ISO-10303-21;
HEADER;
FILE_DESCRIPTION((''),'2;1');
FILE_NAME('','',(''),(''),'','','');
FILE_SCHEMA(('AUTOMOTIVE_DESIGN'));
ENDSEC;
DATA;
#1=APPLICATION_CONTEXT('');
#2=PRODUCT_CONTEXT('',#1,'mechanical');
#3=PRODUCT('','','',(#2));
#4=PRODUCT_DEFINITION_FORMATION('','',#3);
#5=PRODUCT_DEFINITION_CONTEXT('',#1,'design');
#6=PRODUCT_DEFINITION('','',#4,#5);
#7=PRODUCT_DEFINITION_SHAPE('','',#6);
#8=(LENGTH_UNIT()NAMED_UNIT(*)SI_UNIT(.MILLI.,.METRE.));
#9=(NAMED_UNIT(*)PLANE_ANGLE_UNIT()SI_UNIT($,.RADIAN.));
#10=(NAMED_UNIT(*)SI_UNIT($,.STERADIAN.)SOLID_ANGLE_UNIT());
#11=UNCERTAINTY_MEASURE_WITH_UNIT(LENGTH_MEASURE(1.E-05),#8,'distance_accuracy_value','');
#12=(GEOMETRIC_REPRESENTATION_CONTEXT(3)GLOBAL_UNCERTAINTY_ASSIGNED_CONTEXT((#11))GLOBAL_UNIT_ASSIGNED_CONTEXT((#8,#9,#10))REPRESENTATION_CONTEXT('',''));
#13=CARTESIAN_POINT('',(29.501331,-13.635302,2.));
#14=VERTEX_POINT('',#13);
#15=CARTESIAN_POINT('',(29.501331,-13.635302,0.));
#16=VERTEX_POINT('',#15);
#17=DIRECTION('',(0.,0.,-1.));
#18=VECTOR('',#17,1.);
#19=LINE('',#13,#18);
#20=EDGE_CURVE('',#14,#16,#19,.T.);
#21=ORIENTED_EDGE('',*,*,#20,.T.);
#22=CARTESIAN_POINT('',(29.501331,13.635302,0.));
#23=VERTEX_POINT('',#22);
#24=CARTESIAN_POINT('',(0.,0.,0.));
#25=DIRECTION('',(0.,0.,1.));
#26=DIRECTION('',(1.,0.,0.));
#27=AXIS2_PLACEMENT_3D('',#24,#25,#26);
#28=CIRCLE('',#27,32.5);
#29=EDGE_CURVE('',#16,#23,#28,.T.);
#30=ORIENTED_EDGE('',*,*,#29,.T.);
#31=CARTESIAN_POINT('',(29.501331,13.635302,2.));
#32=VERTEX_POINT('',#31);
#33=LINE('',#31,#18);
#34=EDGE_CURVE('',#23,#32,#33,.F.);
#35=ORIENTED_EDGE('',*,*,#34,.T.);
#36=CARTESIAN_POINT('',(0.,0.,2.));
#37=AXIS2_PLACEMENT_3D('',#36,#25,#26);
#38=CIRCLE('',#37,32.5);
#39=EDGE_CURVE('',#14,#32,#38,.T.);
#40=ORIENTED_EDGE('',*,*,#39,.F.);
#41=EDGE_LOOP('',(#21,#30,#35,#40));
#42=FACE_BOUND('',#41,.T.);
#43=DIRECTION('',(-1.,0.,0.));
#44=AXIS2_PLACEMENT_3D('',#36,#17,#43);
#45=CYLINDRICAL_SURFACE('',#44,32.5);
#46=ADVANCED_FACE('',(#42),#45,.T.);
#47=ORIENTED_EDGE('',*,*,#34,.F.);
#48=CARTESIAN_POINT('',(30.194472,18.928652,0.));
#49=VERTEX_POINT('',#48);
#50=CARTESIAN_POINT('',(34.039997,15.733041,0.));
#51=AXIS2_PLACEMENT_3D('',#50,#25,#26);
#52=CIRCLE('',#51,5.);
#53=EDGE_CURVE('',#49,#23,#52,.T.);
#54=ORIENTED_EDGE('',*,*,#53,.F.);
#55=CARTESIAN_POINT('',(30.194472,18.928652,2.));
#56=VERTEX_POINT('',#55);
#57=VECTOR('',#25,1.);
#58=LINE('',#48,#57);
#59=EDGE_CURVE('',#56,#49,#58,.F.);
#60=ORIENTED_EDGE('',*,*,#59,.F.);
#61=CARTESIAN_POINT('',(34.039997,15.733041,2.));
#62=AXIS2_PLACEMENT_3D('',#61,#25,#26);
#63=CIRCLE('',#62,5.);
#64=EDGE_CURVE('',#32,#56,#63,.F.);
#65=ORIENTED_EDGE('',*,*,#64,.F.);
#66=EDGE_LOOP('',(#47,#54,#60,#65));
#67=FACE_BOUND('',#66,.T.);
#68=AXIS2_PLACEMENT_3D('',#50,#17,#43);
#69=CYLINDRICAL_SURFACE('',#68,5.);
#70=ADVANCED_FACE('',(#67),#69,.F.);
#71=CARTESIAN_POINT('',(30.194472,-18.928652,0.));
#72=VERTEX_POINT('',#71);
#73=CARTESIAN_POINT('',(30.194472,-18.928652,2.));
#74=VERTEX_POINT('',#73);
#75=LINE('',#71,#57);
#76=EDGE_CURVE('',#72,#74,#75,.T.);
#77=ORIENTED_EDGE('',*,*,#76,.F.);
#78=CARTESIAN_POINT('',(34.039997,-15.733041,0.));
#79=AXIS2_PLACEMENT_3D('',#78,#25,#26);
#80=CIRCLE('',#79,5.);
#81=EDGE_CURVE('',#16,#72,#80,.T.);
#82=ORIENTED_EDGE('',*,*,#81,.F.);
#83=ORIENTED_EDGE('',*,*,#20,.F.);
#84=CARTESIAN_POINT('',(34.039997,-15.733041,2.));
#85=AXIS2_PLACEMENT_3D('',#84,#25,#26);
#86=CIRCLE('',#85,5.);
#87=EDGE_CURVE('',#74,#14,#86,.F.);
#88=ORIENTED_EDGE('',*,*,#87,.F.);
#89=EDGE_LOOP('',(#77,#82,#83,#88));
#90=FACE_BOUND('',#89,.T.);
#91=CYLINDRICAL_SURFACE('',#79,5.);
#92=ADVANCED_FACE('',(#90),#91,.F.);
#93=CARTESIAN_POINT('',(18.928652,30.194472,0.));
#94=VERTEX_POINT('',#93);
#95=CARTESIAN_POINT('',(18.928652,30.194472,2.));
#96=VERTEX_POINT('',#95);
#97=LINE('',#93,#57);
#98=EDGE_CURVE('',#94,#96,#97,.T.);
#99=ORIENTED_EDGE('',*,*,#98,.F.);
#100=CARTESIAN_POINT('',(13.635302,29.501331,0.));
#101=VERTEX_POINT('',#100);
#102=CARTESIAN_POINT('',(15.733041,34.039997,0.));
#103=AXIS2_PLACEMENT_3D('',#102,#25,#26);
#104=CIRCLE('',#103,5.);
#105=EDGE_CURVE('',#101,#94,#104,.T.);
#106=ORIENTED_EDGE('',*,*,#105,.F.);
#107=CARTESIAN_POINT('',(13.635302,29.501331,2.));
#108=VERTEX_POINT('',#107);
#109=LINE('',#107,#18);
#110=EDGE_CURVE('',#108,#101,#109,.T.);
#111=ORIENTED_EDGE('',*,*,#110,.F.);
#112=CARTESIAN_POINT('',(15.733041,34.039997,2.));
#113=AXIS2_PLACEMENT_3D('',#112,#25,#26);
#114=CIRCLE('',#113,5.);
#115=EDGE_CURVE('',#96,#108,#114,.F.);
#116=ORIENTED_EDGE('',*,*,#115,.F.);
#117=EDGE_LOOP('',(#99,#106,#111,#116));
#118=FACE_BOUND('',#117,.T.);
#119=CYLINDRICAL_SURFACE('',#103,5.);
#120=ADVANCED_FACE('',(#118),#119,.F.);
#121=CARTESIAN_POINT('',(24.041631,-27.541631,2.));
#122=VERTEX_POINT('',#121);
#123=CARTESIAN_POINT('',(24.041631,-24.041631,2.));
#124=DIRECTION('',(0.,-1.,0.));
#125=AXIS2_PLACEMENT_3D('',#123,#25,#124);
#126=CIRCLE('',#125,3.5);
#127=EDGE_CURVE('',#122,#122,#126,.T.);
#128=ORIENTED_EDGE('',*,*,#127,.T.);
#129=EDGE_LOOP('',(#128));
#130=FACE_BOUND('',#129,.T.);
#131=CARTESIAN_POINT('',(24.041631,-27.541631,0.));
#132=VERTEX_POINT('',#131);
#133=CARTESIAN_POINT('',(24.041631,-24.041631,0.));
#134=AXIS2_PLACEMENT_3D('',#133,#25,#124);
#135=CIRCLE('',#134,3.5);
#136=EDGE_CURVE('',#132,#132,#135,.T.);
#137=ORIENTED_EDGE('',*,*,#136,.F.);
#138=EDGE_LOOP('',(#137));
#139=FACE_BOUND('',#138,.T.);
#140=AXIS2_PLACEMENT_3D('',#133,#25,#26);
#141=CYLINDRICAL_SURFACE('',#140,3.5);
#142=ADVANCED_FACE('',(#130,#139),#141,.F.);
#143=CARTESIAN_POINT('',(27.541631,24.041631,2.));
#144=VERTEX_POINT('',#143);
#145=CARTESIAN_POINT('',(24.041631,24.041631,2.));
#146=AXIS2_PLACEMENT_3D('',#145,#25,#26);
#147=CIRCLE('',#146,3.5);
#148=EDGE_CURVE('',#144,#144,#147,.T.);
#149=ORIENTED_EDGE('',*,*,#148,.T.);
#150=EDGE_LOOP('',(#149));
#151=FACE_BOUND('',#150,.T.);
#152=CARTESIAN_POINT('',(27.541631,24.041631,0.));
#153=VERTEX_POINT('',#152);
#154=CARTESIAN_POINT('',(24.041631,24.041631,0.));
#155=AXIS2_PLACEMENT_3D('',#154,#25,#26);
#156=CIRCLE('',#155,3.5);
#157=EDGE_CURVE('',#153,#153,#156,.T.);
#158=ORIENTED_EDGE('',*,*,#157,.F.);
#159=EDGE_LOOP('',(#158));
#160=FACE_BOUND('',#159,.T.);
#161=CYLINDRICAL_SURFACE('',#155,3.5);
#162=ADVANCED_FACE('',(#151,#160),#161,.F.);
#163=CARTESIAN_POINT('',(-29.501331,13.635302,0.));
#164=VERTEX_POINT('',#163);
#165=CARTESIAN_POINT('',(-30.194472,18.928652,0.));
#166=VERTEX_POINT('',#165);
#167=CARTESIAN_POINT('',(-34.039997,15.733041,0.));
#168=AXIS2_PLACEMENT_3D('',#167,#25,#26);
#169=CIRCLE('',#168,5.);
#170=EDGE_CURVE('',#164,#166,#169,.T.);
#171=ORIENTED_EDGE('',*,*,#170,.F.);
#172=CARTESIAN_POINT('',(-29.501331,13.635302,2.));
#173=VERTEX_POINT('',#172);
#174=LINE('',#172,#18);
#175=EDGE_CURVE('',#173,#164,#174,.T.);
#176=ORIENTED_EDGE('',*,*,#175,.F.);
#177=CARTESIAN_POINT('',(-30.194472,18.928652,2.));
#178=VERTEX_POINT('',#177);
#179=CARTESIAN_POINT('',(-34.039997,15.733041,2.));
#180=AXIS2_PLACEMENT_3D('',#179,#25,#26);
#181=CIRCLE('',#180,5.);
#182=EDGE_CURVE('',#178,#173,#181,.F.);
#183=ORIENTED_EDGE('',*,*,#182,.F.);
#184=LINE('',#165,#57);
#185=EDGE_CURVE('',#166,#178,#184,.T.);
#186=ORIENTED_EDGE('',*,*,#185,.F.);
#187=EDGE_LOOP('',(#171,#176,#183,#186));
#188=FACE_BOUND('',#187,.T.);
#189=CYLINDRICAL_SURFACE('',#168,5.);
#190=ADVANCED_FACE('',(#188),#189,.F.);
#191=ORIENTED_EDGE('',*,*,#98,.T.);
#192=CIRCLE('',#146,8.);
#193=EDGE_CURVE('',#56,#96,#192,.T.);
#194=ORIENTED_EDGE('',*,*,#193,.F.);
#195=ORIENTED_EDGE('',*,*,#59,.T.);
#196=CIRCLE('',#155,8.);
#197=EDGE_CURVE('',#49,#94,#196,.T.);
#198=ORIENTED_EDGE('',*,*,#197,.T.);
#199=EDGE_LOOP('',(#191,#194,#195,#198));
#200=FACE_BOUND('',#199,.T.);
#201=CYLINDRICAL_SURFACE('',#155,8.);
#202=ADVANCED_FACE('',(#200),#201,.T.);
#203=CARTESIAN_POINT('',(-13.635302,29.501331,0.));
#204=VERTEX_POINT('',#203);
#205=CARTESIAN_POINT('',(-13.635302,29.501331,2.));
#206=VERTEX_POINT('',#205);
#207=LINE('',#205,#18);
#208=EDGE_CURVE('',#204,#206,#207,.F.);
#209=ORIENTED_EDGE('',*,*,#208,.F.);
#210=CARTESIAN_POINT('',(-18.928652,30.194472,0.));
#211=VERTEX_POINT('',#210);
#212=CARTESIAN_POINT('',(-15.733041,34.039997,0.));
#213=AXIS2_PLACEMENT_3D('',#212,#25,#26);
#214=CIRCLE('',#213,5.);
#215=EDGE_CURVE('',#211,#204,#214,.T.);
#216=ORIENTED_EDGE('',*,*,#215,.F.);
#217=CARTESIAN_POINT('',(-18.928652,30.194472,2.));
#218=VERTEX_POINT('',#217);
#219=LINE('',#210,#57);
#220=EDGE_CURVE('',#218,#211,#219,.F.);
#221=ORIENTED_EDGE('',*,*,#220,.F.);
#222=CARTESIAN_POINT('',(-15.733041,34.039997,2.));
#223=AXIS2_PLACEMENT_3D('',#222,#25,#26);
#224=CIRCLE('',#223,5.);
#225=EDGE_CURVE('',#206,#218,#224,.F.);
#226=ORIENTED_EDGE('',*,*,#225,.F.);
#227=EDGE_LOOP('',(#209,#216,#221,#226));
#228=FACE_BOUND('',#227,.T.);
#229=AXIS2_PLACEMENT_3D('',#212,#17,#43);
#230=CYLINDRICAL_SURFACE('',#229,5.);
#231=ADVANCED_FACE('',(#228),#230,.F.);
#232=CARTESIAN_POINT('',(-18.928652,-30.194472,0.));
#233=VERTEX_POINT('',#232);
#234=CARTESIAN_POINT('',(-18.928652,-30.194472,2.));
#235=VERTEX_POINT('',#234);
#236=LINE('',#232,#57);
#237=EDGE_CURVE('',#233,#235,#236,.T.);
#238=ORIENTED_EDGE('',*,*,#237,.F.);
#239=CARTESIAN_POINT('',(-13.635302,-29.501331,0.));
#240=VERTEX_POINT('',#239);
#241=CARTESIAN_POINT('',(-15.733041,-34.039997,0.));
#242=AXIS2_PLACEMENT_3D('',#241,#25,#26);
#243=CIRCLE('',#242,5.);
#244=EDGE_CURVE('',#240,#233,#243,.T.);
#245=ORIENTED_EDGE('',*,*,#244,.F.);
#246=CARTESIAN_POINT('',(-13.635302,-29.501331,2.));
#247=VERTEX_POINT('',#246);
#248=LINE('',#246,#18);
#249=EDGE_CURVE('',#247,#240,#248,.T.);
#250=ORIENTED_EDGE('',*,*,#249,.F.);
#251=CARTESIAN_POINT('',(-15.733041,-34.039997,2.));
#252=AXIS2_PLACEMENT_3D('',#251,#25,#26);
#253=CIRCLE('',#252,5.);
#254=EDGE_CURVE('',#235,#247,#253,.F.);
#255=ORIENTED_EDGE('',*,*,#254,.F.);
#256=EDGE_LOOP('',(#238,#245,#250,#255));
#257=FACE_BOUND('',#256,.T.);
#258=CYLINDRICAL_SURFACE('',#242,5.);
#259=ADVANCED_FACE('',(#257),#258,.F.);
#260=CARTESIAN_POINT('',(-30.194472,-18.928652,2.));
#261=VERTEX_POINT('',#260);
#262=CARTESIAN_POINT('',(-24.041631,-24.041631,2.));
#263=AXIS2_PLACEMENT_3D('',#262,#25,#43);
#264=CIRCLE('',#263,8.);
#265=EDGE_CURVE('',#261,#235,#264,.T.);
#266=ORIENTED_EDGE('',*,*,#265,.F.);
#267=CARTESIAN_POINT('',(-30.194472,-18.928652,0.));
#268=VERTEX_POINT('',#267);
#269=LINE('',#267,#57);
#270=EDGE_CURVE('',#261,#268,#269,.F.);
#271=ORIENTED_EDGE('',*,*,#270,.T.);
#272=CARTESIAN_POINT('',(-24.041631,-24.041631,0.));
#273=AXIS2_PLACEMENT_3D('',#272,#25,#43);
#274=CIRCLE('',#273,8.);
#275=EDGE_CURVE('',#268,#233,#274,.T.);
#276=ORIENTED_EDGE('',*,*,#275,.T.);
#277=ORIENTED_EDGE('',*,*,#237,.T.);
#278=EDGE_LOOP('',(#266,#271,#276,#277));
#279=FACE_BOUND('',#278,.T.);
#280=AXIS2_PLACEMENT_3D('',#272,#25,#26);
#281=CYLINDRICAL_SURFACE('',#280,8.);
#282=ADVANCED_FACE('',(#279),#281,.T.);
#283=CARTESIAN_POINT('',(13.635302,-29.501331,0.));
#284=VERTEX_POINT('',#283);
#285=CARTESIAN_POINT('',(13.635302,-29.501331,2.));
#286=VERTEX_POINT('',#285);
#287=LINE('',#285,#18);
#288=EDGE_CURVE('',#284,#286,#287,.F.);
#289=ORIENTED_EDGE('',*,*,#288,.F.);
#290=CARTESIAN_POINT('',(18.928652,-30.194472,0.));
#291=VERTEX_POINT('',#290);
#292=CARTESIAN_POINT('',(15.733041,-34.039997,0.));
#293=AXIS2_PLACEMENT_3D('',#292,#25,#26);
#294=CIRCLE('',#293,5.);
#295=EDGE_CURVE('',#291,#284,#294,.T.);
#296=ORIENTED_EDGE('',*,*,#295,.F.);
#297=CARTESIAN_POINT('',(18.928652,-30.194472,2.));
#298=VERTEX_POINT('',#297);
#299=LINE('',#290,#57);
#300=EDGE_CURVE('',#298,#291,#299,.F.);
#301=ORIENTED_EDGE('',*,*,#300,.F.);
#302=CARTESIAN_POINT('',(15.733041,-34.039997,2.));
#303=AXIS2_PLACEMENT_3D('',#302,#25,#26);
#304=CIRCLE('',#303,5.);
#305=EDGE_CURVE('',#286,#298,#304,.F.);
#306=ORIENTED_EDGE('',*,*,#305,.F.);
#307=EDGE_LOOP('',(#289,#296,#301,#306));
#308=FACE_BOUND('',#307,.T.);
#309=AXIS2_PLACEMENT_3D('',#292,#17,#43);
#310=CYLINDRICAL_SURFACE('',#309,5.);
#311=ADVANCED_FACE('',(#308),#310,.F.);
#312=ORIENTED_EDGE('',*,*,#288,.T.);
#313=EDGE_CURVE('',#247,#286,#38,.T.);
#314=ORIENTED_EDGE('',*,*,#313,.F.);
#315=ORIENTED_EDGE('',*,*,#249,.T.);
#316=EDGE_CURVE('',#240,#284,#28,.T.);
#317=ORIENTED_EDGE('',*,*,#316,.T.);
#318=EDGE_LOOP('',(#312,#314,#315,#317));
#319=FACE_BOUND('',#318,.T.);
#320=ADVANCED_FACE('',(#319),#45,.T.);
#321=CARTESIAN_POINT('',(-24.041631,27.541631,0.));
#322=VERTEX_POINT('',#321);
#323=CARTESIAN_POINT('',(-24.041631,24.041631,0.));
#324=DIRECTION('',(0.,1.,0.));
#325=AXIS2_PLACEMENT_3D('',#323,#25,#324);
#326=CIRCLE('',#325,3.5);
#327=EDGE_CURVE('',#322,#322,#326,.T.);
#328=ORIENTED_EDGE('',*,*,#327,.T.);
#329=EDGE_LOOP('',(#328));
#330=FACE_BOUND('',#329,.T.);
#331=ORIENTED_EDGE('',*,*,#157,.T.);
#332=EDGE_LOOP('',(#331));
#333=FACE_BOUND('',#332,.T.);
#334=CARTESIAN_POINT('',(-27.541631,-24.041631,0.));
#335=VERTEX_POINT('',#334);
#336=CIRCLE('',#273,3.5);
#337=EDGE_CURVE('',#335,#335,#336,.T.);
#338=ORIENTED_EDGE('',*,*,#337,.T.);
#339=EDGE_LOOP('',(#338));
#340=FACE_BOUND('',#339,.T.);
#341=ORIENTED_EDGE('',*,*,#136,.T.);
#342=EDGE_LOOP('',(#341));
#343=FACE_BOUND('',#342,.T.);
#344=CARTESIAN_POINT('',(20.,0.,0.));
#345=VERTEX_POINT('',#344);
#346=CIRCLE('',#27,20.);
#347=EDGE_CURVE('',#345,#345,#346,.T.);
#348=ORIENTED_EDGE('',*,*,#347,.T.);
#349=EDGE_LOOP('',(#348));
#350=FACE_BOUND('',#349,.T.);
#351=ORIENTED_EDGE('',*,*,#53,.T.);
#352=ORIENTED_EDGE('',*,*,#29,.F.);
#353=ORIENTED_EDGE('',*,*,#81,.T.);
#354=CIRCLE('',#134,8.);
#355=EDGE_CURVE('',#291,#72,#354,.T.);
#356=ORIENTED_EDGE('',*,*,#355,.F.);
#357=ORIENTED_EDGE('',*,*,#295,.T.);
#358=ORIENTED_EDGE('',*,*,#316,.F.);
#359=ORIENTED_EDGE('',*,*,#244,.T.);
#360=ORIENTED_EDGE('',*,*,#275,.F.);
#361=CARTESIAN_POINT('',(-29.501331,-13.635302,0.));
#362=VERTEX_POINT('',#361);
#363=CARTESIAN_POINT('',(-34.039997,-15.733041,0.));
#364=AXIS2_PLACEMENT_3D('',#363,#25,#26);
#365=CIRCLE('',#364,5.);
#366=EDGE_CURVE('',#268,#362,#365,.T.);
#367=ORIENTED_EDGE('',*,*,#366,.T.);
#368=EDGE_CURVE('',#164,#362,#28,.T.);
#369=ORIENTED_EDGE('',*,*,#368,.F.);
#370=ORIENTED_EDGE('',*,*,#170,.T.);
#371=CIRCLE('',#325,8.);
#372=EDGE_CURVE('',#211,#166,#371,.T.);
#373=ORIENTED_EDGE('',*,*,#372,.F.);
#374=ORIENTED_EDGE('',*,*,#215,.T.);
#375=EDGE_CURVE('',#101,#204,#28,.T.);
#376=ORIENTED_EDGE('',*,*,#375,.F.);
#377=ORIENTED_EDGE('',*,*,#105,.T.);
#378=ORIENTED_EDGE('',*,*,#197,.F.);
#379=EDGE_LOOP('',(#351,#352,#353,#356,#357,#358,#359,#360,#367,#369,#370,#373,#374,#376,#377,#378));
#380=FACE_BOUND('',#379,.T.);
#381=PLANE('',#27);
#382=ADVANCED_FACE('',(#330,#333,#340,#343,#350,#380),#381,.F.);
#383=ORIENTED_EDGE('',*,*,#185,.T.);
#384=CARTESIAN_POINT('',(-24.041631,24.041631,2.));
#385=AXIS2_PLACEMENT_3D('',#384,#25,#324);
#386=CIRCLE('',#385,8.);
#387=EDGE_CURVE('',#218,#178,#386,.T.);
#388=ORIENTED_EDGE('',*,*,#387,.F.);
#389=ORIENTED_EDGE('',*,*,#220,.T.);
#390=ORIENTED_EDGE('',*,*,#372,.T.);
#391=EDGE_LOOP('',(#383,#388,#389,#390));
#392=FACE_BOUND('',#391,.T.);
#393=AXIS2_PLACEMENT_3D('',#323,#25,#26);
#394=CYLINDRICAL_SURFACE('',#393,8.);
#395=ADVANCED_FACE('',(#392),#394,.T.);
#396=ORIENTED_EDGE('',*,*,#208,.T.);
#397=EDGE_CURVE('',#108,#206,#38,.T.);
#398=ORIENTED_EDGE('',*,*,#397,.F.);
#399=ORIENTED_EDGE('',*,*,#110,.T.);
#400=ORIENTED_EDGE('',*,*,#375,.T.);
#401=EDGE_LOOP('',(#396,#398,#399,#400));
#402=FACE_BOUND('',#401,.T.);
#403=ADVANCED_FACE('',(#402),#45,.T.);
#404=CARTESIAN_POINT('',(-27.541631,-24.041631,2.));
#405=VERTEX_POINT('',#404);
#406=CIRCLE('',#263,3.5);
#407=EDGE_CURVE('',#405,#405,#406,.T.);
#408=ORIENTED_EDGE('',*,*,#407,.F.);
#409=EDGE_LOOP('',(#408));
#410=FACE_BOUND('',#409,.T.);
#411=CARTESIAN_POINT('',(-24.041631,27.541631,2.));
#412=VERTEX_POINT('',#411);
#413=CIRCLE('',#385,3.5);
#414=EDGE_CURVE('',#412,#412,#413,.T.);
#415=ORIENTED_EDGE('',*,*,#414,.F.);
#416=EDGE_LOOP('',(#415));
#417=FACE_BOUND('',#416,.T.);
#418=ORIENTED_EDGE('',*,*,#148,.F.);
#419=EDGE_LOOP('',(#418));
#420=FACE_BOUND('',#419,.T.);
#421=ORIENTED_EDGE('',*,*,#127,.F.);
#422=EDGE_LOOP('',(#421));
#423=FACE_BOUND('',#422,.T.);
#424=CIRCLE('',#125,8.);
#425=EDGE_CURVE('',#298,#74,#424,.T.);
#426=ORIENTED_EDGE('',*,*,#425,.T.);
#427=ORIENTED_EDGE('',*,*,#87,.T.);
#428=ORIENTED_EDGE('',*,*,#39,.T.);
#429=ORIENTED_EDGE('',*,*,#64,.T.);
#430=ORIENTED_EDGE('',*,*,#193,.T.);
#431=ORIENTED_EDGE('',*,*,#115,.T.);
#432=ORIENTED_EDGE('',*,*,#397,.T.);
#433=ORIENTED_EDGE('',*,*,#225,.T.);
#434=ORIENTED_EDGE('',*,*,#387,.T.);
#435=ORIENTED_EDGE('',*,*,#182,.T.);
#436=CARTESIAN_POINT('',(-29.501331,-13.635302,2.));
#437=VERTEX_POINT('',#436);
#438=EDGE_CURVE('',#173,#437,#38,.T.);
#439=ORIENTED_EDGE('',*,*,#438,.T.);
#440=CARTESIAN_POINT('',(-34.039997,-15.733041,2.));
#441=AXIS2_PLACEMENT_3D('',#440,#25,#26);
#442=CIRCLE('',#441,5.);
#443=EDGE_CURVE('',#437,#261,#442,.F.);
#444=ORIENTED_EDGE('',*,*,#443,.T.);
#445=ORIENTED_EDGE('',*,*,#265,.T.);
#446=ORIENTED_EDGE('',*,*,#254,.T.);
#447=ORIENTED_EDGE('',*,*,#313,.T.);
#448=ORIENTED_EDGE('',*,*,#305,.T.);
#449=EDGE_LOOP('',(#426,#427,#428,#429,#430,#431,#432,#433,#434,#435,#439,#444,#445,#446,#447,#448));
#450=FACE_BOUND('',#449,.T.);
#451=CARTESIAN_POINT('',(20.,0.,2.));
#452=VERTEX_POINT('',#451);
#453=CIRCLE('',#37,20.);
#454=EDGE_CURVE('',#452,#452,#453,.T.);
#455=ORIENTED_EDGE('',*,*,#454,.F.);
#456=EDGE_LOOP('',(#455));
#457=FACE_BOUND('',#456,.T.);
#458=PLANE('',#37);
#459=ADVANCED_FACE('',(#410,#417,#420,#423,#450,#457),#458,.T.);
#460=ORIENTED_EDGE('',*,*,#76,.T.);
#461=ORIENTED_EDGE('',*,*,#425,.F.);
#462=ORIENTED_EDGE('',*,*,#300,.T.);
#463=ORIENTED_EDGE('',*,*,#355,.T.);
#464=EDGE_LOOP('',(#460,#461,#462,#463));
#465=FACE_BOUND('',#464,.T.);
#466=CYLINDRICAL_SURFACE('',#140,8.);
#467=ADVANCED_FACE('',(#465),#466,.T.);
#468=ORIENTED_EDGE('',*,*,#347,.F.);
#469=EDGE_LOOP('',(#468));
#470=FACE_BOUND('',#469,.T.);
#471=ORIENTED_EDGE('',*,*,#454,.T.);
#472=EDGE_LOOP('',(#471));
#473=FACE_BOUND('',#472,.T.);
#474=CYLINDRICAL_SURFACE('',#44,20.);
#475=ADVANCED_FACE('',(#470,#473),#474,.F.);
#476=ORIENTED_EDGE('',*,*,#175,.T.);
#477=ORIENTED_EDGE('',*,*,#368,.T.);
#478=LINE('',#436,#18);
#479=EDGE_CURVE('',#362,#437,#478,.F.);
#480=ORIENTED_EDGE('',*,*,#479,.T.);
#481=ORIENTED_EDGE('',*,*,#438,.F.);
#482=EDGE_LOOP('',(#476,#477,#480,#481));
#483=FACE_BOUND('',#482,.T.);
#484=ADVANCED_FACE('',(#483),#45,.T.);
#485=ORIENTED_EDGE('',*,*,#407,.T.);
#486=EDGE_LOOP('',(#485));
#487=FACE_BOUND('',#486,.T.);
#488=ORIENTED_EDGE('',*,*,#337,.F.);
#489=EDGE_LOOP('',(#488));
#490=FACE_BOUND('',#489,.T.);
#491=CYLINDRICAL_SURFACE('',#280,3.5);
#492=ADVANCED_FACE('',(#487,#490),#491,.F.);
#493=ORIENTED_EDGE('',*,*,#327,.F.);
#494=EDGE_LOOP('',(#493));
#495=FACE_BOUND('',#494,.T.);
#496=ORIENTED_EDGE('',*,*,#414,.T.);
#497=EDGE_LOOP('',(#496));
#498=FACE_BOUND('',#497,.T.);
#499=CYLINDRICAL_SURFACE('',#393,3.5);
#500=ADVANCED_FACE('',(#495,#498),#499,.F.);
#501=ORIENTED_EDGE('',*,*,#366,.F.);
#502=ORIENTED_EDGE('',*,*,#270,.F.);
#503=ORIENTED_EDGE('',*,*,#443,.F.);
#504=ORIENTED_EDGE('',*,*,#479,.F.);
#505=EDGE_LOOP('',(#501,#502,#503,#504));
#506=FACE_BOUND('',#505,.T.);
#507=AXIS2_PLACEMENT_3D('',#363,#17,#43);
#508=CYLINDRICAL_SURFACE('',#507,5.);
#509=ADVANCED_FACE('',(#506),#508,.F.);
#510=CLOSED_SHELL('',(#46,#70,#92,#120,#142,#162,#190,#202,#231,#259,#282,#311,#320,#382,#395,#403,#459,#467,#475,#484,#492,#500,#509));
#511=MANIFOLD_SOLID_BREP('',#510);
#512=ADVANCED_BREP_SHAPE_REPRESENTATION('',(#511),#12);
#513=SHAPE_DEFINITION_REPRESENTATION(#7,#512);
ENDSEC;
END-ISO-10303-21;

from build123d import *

# Parameters (mm, degrees)
SKETCH_1_R                       = 32.5
SKETCH_1_R_2                     = 20
EXTRUDE_1_DEPTH                  = 2
SKETCH_2_R                       = 8
EXTRUDE_2_DEPTH                  = 2
SKETCH_3_R                       = 3.5
CUT_EXTRUDE_1_DEPTH              = 2
FILLET_1_R                       = 5
PATTERN_CIRCULAR_1_COUNT         = 4
FILLET_1_OF_PATTERN_CIRCULAR_1_R = 5


with BuildPart() as part:
    # 草图1 → 凸台-拉伸1 (new body)
    with BuildSketch(Plane.XY):
        Circle(SKETCH_1_R)
        Circle(SKETCH_1_R_2, mode=Mode.SUBTRACT)
    extrude(amount=EXTRUDE_1_DEPTH)

    # 草图2 → 凸台-拉伸2 (add)
    with BuildSketch(Plane.XY.offset(2)):
        with Locations((24.04163056, 24.04163056)):
            Circle(SKETCH_2_R)
    extrude_2 = extrude(amount=-EXTRUDE_2_DEPTH)

    # 草图3 → 切除-拉伸1 (cut)
    with BuildSketch(Plane.XY.offset(2)):
        with Locations((24.04163056, 24.04163056)):
            Circle(SKETCH_3_R)
    cut_extrude_1 = extrude(amount=-CUT_EXTRUDE_1_DEPTH, mode=Mode.SUBTRACT)

    # 圆角1
    fillet_1_edges = [part.edges().sort_by_distance(p)[0] for p in [
        (16.944361965, 27.733348113, 1),
        (27.733348113, 16.944361965, 1),
    ]]
    fillet(fillet_1_edges, radius=FILLET_1_R)

    # 阵列(圆周)1: 凸台-拉伸2, 切除-拉伸1 ×4 about axis
    pattern_circular_1_axis = Axis((0, 0, 0), (0, 0, 1))
    add([extrude_2.rotate(pattern_circular_1_axis, i * 360 / PATTERN_CIRCULAR_1_COUNT) for i in range(1, PATTERN_CIRCULAR_1_COUNT)])
    add([cut_extrude_1.rotate(pattern_circular_1_axis, i * 360 / PATTERN_CIRCULAR_1_COUNT) for i in range(1, PATTERN_CIRCULAR_1_COUNT)], mode=Mode.SUBTRACT)

    # 圆角1 of 阵列(圆周)1
    fillet_1_of_pattern_circular_1_edges = [part.edges().sort_by_distance(p)[0] for p in [
        (-27.733348113, 16.944361965, 1),
        (-16.944361965, 27.733348113, 1),
        (-16.944361965, -27.733348113, 1),
        (-27.733348113, -16.944361965, 1),
        (27.733348113, -16.944361965, 1),
        (16.944361965, -27.733348113, 1),
    ]]
    fillet(fillet_1_of_pattern_circular_1_edges, radius=FILLET_1_OF_PATTERN_CIRCULAR_1_R)


solid = part.part
